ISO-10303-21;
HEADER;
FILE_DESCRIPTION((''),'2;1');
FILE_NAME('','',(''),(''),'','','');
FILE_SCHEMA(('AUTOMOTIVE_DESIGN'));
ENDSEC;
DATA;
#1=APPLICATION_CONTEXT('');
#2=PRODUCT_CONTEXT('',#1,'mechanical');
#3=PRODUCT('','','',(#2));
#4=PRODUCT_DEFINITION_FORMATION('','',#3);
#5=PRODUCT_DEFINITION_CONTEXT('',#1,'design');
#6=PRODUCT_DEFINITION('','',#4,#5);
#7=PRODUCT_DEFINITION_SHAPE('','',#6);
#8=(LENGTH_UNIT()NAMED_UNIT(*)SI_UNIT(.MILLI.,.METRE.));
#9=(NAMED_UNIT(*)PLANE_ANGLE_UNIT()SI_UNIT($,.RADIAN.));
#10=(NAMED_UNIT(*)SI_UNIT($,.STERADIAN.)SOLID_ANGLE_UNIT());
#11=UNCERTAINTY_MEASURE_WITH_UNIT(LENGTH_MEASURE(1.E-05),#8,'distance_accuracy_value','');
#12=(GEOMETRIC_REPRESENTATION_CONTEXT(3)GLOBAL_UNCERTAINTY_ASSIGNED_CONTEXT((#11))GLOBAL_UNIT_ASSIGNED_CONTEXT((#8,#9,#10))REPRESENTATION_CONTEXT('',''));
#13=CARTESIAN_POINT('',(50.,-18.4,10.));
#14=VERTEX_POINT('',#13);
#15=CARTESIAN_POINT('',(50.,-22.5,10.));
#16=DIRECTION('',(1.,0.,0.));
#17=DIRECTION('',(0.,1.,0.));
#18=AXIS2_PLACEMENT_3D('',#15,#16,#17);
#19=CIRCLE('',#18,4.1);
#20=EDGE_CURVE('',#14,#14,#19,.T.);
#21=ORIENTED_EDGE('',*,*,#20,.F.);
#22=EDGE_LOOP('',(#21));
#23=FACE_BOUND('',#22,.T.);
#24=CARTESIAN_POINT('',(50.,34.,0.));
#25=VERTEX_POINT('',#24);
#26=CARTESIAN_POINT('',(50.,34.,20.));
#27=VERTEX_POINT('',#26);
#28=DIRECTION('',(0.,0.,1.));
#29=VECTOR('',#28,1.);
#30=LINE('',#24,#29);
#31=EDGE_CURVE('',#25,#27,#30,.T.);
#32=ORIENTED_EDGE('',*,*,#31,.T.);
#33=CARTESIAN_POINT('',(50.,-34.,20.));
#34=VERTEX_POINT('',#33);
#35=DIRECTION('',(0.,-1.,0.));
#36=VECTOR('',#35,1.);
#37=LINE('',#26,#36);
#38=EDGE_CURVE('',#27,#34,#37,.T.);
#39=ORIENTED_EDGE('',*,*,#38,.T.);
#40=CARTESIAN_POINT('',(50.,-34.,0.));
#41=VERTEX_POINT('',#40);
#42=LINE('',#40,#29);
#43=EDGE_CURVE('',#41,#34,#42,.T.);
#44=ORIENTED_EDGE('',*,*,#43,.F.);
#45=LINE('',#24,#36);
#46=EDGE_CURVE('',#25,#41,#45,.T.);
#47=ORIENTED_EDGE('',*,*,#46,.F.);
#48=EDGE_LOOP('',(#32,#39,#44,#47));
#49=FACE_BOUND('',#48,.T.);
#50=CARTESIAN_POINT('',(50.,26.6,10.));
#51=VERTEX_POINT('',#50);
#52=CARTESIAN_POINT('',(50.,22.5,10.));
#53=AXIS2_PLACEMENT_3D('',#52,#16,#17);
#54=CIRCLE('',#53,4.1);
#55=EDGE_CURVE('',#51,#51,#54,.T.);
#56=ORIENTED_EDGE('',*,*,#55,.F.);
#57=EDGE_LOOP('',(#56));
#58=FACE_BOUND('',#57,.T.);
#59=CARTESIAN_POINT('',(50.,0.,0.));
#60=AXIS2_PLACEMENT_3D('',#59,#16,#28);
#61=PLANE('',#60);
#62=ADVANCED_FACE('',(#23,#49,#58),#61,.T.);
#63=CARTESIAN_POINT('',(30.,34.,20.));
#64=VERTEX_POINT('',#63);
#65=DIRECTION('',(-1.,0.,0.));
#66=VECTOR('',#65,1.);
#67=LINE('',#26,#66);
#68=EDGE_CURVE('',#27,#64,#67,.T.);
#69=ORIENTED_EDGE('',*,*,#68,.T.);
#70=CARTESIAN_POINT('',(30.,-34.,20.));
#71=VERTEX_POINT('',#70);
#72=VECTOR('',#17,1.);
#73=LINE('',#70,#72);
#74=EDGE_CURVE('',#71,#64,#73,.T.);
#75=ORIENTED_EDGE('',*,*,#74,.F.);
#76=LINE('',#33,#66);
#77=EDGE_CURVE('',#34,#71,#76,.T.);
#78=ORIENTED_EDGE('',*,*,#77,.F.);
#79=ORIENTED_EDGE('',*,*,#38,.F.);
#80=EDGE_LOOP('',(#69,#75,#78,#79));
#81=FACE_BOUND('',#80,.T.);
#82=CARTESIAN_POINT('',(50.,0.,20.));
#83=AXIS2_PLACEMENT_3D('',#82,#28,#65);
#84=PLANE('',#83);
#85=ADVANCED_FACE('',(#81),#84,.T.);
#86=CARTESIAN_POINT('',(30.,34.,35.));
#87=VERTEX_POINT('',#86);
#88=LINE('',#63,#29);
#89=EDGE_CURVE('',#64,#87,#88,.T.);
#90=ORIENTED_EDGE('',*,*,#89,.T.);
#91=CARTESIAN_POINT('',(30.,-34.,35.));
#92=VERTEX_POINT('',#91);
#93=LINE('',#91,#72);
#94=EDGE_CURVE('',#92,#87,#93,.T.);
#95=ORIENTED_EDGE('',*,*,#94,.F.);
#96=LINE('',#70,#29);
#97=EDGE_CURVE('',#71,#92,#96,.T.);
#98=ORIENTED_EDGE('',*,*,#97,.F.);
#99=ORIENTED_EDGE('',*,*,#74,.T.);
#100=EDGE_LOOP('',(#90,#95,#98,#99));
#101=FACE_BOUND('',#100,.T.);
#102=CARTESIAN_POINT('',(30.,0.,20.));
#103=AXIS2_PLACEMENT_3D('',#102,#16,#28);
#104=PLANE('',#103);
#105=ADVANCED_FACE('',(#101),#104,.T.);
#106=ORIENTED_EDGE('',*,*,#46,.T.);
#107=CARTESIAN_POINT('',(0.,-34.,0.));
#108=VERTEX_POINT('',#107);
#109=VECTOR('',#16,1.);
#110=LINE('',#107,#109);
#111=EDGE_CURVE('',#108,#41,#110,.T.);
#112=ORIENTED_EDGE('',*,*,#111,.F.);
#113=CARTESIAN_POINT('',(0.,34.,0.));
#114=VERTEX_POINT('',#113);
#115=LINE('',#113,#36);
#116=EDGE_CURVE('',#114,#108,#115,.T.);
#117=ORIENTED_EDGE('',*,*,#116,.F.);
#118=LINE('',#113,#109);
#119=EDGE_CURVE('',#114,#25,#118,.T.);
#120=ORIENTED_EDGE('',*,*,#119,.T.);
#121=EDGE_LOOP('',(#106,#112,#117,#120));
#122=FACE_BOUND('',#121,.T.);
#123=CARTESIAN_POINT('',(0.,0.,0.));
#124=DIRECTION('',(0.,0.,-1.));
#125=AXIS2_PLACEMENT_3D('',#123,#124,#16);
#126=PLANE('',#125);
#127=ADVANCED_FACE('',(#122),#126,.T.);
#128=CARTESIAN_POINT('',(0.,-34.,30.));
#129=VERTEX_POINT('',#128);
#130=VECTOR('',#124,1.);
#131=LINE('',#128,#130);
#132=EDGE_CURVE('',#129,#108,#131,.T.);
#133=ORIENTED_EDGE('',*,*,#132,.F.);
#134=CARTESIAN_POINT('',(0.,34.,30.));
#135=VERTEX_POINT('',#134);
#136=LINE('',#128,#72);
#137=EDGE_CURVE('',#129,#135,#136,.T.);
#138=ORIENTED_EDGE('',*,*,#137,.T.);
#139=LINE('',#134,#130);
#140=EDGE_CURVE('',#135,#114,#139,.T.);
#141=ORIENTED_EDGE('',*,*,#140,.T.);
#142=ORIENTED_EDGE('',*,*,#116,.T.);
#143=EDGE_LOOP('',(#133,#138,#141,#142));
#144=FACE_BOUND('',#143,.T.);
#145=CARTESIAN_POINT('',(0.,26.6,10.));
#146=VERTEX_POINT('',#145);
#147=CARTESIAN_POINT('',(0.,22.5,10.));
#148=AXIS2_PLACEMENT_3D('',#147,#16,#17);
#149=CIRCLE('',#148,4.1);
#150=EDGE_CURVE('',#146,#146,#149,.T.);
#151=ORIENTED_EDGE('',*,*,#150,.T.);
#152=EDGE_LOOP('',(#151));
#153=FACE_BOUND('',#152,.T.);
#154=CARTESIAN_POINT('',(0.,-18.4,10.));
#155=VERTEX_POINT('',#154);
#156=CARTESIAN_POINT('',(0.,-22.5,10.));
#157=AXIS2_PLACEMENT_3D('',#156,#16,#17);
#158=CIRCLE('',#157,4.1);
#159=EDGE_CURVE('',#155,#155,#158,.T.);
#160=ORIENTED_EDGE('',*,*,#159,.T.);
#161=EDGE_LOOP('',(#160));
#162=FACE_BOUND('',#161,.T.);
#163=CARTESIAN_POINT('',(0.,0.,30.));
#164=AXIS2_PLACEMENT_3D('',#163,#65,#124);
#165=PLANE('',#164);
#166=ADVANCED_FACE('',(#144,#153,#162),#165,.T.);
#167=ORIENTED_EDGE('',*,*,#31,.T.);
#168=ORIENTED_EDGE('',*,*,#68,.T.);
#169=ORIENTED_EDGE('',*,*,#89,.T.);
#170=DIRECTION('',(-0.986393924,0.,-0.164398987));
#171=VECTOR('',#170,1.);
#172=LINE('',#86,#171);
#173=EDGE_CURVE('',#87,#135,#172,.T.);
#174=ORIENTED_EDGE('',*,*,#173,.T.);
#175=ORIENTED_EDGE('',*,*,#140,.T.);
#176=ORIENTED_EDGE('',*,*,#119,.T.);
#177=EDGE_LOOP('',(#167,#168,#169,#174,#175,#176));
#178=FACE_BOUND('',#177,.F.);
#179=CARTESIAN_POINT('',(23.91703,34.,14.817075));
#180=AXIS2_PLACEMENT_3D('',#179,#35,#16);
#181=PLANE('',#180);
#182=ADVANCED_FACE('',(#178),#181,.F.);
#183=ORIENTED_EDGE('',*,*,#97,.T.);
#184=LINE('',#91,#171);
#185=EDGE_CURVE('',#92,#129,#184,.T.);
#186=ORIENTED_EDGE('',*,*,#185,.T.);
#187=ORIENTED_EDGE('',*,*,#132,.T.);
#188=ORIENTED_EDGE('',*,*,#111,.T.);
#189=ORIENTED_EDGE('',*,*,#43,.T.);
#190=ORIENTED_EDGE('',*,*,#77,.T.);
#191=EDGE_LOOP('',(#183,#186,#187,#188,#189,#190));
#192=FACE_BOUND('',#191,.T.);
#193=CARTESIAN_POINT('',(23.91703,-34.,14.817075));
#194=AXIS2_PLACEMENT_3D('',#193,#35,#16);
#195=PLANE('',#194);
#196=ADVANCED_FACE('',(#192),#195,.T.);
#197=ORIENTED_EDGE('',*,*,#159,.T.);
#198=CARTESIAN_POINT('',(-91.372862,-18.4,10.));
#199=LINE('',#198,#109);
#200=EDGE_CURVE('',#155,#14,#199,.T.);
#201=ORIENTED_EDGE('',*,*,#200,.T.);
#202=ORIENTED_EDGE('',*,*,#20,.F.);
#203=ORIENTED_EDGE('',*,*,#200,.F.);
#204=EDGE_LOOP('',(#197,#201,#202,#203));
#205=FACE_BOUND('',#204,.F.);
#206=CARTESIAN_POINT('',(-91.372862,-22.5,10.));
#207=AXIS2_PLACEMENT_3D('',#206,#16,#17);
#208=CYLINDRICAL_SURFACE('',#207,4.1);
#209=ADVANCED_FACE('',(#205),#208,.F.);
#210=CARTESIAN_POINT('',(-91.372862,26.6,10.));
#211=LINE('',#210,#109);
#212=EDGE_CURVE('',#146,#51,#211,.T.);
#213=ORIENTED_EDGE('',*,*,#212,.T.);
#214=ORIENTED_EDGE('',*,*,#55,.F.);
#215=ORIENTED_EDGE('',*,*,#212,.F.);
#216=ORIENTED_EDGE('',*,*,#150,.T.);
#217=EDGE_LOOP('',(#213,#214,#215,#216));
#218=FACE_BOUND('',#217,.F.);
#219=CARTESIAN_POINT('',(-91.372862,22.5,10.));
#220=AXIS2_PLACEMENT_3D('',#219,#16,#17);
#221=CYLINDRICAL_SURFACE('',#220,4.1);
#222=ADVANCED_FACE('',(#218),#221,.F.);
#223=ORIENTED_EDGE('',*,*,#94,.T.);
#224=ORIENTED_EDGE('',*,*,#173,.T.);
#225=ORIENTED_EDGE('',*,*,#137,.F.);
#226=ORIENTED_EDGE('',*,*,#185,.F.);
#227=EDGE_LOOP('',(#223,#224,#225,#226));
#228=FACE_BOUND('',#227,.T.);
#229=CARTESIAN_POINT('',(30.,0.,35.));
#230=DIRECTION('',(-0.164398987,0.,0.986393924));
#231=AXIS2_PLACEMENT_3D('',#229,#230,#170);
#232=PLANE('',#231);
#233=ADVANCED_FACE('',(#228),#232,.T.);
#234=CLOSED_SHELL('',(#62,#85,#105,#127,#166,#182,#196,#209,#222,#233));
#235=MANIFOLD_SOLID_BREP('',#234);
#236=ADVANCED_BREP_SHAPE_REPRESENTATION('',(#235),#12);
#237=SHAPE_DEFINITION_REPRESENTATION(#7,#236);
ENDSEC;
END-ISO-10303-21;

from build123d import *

# Parameters (mm, degrees)
F1_DEPTH = 34
F3_D     = 8.2


with BuildPart() as f1:
    # F0 (on Front) → F1 (new body, symmetric)
    with BuildSketch(Plane.XZ):
        Polygon((0, 30), (0, 0), (50, 0), (50, 20), (30, 20), (30, 35), align=None)
    extrude(amount=F1_DEPTH, both=True)

    # F3 (through all)
    with Locations(Plane(origin=(0, 0, 0), x_dir=(0, -1, 0), z_dir=(-1, 0, 0))):
        with Locations((-22.5, 10), (22.5, 10)):
            Hole(F3_D / 2)


solid = f1.part
